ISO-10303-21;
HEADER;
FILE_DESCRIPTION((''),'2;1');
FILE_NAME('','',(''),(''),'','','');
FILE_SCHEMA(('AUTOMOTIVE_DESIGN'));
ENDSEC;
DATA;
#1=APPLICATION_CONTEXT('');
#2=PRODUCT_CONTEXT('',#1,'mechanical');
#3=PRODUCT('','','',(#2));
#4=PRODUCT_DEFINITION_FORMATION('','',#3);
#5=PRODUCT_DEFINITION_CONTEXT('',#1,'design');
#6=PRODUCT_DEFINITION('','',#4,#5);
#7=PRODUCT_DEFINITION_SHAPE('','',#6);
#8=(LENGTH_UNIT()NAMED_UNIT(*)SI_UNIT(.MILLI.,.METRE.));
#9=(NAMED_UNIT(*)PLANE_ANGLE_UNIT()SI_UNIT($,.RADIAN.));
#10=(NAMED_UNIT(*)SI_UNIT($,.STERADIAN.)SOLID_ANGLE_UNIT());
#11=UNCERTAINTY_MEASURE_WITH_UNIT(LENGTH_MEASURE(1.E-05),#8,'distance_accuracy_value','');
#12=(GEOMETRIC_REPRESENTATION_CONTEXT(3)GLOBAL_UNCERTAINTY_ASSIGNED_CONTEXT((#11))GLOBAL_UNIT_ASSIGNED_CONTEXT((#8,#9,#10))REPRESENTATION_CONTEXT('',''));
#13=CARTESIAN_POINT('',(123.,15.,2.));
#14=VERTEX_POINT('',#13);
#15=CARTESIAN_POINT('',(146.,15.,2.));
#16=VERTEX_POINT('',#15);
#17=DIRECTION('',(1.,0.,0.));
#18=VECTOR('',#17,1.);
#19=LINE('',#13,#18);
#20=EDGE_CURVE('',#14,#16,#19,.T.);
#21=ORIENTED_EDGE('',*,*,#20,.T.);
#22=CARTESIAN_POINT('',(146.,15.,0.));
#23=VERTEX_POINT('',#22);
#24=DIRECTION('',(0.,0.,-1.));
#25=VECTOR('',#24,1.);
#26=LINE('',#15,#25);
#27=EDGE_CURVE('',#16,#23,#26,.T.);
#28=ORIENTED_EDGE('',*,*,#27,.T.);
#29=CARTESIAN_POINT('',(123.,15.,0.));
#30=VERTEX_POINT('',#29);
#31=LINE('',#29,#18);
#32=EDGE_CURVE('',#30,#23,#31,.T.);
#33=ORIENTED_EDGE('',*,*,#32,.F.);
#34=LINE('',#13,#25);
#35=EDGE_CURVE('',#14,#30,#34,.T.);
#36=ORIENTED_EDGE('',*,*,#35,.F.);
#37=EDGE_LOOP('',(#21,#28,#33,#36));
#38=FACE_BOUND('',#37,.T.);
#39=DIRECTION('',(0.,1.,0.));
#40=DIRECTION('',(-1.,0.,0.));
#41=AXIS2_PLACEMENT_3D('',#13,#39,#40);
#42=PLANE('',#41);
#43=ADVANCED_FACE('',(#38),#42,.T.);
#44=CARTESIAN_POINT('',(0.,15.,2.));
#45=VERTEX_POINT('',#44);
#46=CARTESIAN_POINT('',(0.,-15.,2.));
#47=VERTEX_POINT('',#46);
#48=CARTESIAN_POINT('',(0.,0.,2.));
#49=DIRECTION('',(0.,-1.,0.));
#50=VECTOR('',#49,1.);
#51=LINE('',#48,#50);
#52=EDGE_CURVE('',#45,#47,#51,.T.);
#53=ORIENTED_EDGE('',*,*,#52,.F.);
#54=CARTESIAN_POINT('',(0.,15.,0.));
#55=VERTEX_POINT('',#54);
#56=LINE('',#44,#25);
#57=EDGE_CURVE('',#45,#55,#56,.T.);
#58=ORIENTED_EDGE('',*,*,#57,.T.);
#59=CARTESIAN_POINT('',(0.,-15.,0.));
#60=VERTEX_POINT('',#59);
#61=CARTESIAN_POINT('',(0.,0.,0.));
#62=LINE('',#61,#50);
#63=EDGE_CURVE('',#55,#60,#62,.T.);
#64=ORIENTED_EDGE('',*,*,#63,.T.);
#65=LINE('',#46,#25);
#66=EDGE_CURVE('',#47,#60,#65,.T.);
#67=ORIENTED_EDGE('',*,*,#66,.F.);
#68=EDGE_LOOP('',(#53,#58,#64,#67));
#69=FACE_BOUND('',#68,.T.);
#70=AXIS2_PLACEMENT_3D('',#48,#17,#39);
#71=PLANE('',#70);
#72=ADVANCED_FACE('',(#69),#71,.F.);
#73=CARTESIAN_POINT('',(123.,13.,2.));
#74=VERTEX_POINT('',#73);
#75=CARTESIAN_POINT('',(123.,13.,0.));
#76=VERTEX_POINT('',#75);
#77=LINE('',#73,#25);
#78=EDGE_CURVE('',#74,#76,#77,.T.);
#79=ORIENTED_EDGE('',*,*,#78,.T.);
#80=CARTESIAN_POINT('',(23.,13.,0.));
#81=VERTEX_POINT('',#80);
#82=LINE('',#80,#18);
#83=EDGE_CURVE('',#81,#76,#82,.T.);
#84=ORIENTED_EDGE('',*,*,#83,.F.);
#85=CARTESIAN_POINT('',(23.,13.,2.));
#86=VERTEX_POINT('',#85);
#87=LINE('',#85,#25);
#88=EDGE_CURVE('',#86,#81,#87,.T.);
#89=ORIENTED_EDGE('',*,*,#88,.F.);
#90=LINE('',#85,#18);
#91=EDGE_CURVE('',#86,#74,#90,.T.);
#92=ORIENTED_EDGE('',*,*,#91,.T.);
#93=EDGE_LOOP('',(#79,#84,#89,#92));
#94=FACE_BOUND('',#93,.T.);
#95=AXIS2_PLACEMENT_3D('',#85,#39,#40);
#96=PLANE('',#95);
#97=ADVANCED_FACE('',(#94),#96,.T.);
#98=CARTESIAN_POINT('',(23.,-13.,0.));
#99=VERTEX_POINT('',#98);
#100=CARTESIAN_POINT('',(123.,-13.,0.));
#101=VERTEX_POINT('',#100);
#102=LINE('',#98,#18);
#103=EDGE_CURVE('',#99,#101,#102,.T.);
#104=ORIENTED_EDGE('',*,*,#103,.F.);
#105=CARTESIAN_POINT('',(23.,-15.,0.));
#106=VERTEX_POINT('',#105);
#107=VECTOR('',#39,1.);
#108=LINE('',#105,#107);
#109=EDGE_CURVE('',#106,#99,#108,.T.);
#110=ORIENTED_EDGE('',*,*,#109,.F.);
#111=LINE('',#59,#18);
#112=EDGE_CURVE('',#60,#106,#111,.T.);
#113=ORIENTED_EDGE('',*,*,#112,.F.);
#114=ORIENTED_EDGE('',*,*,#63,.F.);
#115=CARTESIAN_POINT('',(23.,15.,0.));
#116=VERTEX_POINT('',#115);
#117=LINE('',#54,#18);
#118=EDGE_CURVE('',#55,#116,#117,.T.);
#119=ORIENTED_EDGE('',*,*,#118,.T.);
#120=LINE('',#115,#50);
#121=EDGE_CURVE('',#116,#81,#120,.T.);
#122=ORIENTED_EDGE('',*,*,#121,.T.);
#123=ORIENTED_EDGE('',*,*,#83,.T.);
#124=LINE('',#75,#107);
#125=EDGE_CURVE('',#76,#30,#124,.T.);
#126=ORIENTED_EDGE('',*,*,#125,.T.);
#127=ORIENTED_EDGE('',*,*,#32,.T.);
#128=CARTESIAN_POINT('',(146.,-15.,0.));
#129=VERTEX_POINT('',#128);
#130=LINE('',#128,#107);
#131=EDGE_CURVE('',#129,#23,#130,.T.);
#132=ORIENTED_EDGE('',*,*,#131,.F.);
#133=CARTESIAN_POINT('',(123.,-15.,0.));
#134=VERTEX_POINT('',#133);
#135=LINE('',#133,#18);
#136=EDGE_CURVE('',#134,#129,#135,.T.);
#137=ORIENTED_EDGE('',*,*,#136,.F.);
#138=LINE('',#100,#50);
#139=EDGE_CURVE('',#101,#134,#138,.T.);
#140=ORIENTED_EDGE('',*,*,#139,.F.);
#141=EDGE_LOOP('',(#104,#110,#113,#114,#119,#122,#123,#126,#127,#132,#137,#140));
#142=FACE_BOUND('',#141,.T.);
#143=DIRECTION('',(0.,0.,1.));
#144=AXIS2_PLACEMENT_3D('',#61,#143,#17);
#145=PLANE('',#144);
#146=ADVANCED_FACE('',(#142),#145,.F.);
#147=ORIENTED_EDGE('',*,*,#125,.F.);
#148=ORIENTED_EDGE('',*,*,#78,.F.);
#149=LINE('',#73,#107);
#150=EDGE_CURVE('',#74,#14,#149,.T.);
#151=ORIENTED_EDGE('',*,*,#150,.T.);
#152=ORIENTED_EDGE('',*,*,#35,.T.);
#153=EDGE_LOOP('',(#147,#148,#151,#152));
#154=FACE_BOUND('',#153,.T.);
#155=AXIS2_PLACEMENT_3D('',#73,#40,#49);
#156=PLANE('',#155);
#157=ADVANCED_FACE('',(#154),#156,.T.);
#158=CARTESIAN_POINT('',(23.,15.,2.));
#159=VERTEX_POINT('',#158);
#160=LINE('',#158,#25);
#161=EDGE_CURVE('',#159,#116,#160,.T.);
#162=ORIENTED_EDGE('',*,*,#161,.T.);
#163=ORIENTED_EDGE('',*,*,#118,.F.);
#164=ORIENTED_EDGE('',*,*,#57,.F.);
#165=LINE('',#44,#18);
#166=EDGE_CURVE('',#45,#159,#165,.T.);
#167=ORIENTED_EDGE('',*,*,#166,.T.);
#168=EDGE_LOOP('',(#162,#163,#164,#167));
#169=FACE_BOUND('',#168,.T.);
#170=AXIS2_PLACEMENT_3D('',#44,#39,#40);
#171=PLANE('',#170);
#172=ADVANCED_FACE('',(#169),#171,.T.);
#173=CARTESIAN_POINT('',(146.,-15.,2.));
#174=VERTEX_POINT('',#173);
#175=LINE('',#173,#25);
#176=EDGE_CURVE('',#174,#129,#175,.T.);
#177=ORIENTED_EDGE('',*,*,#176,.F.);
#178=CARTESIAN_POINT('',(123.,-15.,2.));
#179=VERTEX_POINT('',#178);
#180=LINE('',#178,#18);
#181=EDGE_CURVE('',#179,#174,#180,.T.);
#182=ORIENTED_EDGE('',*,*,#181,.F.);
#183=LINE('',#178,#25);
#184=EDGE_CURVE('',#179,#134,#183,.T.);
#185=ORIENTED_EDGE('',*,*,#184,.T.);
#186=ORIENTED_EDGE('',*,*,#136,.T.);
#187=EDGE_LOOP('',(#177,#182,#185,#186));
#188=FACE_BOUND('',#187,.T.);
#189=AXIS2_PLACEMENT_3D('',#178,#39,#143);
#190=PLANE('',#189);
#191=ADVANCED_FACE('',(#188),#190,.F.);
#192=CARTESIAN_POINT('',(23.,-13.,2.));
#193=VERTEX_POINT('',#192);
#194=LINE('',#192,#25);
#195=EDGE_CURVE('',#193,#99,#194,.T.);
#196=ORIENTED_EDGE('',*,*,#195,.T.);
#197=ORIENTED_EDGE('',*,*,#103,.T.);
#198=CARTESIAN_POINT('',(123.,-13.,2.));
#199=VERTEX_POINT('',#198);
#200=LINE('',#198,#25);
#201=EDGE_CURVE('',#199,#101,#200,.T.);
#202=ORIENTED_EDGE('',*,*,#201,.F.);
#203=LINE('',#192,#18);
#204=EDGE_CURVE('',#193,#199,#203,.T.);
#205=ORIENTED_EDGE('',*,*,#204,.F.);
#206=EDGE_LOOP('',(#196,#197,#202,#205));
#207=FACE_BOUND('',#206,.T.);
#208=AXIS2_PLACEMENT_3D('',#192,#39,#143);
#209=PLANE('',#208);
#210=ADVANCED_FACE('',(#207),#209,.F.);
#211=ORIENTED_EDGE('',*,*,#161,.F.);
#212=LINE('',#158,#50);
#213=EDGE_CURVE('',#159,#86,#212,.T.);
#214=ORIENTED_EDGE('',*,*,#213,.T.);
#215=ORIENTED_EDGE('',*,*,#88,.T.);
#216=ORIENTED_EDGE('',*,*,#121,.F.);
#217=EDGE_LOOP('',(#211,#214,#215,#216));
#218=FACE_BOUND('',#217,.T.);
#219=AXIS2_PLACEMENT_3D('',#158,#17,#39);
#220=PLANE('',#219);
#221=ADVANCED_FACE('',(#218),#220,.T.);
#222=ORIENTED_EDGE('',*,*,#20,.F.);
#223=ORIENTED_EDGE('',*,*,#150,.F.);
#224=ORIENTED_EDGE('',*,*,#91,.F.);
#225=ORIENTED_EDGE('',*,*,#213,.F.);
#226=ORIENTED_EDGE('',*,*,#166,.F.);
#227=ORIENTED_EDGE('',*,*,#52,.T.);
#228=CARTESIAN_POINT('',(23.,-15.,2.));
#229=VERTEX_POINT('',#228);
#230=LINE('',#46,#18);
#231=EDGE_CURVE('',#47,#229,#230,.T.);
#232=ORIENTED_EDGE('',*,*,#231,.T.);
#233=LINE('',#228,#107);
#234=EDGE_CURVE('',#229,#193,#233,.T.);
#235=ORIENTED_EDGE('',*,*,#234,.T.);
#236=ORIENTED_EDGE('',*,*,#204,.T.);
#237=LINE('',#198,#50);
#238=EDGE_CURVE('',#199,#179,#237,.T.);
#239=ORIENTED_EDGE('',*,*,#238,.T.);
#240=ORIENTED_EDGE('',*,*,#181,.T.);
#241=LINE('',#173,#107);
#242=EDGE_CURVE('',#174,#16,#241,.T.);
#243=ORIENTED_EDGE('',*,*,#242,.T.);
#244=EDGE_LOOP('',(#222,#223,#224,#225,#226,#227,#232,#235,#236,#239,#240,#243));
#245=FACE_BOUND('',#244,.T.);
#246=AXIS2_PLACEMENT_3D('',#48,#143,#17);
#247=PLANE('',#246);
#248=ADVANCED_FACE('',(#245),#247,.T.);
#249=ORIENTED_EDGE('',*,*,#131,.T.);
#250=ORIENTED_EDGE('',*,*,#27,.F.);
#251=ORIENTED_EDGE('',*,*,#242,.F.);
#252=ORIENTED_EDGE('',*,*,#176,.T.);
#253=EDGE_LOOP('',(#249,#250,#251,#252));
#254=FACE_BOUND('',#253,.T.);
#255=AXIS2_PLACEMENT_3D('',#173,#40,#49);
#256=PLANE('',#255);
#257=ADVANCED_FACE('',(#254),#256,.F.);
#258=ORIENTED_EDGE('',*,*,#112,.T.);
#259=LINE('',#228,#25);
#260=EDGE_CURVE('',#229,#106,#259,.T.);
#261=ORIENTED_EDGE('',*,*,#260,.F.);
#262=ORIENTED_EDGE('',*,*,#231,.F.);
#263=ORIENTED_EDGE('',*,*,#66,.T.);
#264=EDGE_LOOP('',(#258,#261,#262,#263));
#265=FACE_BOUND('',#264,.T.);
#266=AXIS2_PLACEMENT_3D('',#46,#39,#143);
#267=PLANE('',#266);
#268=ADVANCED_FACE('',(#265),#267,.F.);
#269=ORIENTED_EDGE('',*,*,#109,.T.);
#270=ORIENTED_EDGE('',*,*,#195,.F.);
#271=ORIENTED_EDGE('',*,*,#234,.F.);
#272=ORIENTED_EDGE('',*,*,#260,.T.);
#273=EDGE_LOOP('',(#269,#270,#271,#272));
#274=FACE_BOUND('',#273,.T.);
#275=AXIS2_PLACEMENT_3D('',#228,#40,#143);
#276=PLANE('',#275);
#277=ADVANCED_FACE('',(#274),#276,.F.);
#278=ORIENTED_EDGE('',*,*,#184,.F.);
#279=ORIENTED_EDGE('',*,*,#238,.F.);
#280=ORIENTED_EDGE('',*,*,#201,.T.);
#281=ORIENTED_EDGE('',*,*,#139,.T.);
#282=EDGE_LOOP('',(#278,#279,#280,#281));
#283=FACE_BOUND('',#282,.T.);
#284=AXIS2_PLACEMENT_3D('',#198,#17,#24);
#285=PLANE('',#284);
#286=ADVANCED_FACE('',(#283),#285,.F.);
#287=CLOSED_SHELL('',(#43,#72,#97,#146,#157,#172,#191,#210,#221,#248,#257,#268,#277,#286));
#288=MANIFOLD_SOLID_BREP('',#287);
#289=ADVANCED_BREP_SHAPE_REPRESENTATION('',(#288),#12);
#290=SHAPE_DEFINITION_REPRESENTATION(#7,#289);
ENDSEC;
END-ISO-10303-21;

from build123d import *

# Parameters (mm, degrees)
BOSS_EXTRUDE1_DEPTH = 2


with BuildPart() as part:
    # Sketch1 → Boss-Extrude1 (new body)
    with BuildSketch(Plane.XY):
        Polygon((0, 0), (0, -15), (23, -15), (23, -13), (123, -13), (123, -15), (146, -15), (146, 0), align=None)
    boss_extrude1 = extrude(amount=BOSS_EXTRUDE1_DEPTH)

    # Mirror3: Boss-Extrude1 across plane
    add(boss_extrude1.mirror(Plane(origin=(0, 0, 2), x_dir=(0, 0, 1), z_dir=(0, -1, 0))))


solid = part.part
